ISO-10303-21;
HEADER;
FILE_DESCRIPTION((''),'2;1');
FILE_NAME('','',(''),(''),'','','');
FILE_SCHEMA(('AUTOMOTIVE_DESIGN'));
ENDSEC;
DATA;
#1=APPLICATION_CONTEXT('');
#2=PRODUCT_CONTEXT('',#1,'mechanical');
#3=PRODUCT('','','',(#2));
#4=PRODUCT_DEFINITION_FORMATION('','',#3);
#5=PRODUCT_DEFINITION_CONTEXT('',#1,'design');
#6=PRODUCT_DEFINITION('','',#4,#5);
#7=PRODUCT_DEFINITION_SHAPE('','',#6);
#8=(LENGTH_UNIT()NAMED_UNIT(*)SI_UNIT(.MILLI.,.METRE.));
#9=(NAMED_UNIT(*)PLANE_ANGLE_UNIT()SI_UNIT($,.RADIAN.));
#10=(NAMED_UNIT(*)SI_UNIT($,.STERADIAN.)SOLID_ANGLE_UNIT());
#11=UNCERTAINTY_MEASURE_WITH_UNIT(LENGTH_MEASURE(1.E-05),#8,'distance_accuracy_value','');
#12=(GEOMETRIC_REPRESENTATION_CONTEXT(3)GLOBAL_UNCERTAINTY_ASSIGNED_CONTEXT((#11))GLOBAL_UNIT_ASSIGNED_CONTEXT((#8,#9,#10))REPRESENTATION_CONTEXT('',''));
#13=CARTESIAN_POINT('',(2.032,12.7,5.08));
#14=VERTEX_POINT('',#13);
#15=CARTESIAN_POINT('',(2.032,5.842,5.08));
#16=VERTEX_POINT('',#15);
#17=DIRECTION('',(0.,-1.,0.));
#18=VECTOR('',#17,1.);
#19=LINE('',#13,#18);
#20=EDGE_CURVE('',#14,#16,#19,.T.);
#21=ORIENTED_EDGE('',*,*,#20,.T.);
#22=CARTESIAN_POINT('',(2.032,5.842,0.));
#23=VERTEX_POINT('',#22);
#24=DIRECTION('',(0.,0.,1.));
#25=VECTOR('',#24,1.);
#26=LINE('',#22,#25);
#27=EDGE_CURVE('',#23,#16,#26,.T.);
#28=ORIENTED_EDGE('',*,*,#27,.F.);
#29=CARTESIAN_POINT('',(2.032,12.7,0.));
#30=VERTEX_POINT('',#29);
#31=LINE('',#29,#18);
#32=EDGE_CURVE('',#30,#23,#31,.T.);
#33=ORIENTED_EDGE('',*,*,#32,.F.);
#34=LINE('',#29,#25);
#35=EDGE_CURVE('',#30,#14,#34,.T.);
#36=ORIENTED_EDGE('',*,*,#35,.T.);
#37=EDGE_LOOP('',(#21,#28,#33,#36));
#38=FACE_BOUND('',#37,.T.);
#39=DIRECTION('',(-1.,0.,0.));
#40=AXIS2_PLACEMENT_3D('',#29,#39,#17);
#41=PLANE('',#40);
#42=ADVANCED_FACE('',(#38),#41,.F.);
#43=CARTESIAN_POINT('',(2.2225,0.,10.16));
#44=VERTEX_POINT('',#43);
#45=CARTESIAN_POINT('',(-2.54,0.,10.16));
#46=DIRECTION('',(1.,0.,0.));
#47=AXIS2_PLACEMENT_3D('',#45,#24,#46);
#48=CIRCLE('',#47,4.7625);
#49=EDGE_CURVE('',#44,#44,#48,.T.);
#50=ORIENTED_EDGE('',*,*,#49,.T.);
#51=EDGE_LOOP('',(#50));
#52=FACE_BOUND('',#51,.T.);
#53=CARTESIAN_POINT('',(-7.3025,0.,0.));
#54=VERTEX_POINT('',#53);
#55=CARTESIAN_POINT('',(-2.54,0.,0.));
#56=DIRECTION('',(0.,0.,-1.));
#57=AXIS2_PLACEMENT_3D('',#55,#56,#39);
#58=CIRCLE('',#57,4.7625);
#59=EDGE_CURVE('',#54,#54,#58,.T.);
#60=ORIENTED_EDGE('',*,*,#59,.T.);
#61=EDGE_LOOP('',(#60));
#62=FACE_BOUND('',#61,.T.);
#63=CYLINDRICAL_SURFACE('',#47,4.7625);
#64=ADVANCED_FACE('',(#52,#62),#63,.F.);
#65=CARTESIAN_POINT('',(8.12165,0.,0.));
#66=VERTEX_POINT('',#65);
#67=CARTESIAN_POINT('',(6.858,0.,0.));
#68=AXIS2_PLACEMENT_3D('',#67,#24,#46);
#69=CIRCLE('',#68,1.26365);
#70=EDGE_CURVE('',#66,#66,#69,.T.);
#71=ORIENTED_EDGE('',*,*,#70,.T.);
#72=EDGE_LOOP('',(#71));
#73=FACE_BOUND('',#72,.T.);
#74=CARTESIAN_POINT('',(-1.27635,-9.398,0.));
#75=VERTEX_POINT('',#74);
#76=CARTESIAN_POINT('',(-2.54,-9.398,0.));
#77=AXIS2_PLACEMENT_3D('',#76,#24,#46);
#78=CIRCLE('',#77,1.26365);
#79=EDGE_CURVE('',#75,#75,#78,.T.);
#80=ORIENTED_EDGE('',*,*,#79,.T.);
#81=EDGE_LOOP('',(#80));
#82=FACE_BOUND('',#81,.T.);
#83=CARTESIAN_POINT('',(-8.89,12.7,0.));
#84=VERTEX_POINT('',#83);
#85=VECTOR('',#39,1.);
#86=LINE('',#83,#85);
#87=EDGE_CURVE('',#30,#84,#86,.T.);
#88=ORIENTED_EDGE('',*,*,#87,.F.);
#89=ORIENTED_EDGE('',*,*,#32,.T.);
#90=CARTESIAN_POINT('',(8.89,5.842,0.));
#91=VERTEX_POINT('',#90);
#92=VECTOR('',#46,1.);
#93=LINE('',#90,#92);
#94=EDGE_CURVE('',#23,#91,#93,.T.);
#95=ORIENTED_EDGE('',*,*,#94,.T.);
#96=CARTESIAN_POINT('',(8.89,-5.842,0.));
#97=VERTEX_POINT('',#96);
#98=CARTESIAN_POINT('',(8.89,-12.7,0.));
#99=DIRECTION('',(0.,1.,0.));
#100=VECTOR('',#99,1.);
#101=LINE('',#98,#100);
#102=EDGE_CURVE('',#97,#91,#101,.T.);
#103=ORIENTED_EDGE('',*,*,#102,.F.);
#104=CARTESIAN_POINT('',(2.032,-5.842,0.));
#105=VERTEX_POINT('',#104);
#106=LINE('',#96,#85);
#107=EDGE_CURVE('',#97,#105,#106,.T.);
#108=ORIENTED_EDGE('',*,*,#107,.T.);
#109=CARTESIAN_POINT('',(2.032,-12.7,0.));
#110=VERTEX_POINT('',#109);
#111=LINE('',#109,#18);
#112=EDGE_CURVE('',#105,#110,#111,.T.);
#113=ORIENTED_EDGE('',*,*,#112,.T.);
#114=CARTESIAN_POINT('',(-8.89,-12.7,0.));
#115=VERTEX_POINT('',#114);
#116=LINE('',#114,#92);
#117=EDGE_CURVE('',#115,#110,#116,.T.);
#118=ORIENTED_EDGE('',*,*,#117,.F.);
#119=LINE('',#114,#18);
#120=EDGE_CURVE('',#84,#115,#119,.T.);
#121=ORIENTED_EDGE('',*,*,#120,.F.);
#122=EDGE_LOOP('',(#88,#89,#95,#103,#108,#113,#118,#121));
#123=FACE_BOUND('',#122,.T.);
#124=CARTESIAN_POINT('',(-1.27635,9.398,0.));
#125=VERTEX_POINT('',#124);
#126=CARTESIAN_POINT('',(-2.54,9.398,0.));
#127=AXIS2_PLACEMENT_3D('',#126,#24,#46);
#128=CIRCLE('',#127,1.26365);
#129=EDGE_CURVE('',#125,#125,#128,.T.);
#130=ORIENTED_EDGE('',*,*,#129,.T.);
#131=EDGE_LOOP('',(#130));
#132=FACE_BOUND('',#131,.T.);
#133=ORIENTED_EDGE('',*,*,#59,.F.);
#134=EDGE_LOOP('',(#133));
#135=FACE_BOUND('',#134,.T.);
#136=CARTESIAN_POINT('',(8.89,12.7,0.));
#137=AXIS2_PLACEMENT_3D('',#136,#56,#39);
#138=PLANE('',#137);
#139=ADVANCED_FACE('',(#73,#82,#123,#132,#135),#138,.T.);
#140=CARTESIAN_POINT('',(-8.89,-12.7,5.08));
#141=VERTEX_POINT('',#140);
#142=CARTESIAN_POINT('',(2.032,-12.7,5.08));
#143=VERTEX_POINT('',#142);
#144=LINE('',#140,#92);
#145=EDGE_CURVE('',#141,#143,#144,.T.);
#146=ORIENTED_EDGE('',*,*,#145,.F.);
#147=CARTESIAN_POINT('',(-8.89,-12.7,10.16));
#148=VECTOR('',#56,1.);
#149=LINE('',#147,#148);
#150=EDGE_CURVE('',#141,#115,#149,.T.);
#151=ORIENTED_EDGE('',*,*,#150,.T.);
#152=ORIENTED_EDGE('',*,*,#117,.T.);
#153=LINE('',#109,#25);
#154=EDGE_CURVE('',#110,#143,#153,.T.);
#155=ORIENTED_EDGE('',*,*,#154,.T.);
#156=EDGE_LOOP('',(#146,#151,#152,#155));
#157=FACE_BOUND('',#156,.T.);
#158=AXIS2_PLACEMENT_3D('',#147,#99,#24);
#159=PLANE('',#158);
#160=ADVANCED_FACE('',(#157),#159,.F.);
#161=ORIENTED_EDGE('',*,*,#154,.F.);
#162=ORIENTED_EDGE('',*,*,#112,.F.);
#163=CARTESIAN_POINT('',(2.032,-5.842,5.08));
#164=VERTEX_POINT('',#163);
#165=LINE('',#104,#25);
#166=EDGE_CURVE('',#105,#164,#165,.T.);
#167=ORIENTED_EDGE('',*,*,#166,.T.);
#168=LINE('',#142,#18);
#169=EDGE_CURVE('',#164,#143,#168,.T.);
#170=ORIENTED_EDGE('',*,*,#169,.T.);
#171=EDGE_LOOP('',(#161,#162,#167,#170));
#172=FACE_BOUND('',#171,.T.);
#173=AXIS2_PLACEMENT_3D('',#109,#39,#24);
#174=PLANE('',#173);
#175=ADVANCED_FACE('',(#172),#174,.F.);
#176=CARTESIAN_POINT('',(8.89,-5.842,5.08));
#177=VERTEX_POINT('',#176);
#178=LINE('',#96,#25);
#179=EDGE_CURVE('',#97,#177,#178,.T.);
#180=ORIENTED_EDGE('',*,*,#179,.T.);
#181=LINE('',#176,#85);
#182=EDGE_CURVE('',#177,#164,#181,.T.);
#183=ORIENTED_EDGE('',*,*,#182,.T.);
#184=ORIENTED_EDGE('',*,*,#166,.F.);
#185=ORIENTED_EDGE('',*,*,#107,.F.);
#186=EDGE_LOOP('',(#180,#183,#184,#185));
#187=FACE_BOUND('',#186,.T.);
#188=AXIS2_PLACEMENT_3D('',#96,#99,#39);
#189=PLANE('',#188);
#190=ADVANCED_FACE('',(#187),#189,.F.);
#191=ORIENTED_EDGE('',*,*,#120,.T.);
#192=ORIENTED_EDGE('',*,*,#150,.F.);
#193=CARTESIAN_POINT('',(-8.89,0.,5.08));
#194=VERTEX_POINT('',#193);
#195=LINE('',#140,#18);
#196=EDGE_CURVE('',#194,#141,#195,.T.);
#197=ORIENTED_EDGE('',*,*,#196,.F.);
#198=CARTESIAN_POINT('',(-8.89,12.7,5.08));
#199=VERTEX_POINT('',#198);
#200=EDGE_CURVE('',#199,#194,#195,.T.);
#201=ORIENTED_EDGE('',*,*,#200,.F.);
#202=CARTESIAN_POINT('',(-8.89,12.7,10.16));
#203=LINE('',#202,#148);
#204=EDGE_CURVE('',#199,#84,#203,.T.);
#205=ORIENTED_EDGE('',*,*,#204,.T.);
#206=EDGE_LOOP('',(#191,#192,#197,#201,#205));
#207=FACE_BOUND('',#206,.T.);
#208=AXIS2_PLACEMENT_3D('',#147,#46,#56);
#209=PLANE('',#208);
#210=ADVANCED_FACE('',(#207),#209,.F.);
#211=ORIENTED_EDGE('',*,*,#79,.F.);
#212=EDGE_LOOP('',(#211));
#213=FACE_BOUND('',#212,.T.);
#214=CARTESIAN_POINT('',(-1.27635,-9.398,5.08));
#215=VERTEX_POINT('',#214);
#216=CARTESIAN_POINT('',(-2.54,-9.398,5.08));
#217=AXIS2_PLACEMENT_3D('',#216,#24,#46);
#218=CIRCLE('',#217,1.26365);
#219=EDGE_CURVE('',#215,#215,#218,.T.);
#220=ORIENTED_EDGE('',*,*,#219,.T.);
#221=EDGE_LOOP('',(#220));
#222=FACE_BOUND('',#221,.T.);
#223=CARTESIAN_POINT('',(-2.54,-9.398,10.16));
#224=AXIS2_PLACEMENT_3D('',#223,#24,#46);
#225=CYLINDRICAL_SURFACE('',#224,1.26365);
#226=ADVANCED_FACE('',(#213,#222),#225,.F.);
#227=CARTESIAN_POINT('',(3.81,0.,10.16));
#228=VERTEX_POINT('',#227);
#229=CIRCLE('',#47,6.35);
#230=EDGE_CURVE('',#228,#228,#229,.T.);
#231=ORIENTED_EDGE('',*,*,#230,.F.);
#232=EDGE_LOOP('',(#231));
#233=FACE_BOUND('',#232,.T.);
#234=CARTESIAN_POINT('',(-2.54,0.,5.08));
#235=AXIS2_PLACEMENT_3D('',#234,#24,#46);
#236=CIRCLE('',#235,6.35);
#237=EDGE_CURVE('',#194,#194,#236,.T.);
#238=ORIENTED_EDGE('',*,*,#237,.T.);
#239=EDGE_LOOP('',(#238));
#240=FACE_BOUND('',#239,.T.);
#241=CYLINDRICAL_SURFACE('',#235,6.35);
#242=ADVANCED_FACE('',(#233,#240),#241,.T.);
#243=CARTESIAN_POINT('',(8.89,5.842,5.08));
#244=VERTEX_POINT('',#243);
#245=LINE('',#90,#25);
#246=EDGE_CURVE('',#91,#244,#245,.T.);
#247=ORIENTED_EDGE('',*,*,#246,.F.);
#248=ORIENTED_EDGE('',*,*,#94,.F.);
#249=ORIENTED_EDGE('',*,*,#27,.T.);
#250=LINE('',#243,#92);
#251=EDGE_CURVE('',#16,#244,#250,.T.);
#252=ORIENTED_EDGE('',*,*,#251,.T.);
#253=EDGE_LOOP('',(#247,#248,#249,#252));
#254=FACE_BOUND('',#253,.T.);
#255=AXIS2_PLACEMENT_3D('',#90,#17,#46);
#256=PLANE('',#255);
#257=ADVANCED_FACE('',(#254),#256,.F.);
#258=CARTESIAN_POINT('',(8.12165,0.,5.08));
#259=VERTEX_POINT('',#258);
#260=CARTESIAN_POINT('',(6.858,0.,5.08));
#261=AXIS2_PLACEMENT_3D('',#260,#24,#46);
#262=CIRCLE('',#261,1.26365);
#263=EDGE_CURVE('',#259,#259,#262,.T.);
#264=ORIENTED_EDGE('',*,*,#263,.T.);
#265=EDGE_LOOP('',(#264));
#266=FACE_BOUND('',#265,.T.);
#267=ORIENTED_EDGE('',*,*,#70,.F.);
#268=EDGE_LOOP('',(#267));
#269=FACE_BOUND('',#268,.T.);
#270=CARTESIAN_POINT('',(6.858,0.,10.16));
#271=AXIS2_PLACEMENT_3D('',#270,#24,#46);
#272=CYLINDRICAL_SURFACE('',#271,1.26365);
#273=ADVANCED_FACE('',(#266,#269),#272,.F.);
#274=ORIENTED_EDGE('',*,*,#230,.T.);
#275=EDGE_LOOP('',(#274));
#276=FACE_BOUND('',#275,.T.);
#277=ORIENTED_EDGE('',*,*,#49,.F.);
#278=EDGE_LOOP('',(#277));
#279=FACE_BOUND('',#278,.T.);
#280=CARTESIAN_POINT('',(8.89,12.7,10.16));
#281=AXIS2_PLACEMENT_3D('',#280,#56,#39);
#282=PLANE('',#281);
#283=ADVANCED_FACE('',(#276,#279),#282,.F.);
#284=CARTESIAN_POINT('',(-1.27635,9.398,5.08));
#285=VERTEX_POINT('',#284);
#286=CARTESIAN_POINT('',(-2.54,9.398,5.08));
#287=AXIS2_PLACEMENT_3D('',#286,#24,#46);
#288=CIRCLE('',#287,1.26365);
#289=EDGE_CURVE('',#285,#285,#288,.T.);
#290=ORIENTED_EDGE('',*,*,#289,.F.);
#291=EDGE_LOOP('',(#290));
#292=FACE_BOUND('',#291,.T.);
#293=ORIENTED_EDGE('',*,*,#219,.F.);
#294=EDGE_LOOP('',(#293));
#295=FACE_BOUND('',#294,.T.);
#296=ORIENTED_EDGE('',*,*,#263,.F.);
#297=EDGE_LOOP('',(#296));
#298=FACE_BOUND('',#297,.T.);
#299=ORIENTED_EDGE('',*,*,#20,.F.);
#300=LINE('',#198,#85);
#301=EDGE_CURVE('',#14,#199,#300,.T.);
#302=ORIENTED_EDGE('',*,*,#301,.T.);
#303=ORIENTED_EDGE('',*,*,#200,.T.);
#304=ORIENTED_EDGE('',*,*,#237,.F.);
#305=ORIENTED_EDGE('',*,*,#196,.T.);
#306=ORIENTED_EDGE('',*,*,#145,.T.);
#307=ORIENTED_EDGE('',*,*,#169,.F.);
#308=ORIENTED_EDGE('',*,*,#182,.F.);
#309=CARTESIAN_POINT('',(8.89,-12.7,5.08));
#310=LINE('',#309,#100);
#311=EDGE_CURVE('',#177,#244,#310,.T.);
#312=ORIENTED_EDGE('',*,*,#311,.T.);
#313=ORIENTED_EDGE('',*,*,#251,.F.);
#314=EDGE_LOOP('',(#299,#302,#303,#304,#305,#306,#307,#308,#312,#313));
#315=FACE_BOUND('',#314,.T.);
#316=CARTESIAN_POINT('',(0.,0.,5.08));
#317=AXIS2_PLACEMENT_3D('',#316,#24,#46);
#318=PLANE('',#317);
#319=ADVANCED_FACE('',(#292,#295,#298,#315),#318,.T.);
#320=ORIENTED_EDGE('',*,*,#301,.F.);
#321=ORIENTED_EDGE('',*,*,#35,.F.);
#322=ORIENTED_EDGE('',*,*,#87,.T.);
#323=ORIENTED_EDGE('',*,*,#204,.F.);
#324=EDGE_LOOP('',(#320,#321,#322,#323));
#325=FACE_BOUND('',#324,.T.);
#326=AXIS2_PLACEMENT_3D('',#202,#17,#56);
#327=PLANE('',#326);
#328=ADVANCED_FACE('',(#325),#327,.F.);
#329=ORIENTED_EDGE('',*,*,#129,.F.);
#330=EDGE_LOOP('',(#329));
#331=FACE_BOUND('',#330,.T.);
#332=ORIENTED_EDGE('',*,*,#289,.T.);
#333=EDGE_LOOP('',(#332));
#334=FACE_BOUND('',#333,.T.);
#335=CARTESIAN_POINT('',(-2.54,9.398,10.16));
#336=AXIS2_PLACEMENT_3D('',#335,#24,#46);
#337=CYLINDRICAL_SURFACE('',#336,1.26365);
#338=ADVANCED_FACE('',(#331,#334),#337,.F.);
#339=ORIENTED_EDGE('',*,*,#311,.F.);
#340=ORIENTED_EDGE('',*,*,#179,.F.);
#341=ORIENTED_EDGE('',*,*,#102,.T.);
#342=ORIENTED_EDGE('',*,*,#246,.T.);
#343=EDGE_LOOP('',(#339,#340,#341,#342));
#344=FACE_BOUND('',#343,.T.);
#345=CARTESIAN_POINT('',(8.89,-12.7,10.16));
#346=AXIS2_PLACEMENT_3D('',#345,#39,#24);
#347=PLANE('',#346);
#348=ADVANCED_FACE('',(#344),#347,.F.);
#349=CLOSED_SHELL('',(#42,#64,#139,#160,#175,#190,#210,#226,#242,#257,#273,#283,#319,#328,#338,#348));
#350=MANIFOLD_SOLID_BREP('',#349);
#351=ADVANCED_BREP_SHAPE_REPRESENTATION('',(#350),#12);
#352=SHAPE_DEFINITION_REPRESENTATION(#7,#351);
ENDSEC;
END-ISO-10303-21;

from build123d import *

# Parameters (mm, degrees)
SKETCH1_W                        = 17.78
SKETCH1_H                        = 25.4
EXTRUDE1_DEPTH                   = 10.16
F_3_8_0_375_DIAMETER_HOLE1_D     = 9.525
F_3_8_0_375_DIAMETER_HOLE1_DEPTH = 12.7
F_3_8_0_375_DIAMETER_HOLE1_TIP   = 2.861598698
SKETCH11_OUTSIDE_W               = 26.306
SKETCH11_OUTSIDE_H               = 33.926
SKETCH11_OUTSIDE_R               = 6.35
EXTRUDE3_DEPTH                   = 5.08
F_39_0_0995_DIAMETER_HOLE1_D     = 2.5273
SKETCH14_W                       = 6.858
SKETCH14_H                       = 6.858
EXTRUDE4_DEPTH                   = 6.08


with BuildPart() as part:
    # Sketch1 → Extrude1 (new body)
    with BuildSketch(Plane.XY):
        Rectangle(SKETCH1_W, SKETCH1_H)
    extrude(amount=EXTRUDE1_DEPTH)

    # 3/8 (0.375) Diameter Hole1
    with Locations(Plane(origin=(-2.54, 0, 10.16), x_dir=(1, 0, 0), z_dir=(0, 0, 1))):
        with Locations((0, 0)):
            Hole(F_3_8_0_375_DIAMETER_HOLE1_D / 2, depth=F_3_8_0_375_DIAMETER_HOLE1_DEPTH)
            with Locations((0, 0, -(F_3_8_0_375_DIAMETER_HOLE1_DEPTH + F_3_8_0_375_DIAMETER_HOLE1_TIP / 2))):  # 118° drill point
                Cone(0, F_3_8_0_375_DIAMETER_HOLE1_D / 2, F_3_8_0_375_DIAMETER_HOLE1_TIP, mode=Mode.SUBTRACT)

    # Sketch11 outside → Extrude3 (cut)
    with BuildSketch(Plane.XY.offset(10.16)):
        Rectangle(SKETCH11_OUTSIDE_W, SKETCH11_OUTSIDE_H)
        with Locations((-2.54, 0)):
            Circle(SKETCH11_OUTSIDE_R, mode=Mode.SUBTRACT)
    extrude(amount=-EXTRUDE3_DEPTH, mode=Mode.SUBTRACT)

    # #39 (0.0995) Diameter Hole1 (through all)
    with Locations(Plane(origin=(6.858, 0, 10.16), x_dir=(1, 0, 0), z_dir=(0, 0, 1))):
        with Locations((0, 0), (-9.398, -9.398), (-9.398, 9.398)):
            Hole(F_39_0_0995_DIAMETER_HOLE1_D / 2)

    # Sketch14 → Extrude4 (cut, through all)
    with BuildSketch(Plane.XY.offset(5.08)):
        with Locations((5.461, 9.271)):
            Rectangle(SKETCH14_W, SKETCH14_H)
        with Locations((5.461, -9.271)):
            Rectangle(SKETCH14_W, SKETCH14_H)
    extrude(amount=-EXTRUDE4_DEPTH, mode=Mode.SUBTRACT)


solid = part.part
